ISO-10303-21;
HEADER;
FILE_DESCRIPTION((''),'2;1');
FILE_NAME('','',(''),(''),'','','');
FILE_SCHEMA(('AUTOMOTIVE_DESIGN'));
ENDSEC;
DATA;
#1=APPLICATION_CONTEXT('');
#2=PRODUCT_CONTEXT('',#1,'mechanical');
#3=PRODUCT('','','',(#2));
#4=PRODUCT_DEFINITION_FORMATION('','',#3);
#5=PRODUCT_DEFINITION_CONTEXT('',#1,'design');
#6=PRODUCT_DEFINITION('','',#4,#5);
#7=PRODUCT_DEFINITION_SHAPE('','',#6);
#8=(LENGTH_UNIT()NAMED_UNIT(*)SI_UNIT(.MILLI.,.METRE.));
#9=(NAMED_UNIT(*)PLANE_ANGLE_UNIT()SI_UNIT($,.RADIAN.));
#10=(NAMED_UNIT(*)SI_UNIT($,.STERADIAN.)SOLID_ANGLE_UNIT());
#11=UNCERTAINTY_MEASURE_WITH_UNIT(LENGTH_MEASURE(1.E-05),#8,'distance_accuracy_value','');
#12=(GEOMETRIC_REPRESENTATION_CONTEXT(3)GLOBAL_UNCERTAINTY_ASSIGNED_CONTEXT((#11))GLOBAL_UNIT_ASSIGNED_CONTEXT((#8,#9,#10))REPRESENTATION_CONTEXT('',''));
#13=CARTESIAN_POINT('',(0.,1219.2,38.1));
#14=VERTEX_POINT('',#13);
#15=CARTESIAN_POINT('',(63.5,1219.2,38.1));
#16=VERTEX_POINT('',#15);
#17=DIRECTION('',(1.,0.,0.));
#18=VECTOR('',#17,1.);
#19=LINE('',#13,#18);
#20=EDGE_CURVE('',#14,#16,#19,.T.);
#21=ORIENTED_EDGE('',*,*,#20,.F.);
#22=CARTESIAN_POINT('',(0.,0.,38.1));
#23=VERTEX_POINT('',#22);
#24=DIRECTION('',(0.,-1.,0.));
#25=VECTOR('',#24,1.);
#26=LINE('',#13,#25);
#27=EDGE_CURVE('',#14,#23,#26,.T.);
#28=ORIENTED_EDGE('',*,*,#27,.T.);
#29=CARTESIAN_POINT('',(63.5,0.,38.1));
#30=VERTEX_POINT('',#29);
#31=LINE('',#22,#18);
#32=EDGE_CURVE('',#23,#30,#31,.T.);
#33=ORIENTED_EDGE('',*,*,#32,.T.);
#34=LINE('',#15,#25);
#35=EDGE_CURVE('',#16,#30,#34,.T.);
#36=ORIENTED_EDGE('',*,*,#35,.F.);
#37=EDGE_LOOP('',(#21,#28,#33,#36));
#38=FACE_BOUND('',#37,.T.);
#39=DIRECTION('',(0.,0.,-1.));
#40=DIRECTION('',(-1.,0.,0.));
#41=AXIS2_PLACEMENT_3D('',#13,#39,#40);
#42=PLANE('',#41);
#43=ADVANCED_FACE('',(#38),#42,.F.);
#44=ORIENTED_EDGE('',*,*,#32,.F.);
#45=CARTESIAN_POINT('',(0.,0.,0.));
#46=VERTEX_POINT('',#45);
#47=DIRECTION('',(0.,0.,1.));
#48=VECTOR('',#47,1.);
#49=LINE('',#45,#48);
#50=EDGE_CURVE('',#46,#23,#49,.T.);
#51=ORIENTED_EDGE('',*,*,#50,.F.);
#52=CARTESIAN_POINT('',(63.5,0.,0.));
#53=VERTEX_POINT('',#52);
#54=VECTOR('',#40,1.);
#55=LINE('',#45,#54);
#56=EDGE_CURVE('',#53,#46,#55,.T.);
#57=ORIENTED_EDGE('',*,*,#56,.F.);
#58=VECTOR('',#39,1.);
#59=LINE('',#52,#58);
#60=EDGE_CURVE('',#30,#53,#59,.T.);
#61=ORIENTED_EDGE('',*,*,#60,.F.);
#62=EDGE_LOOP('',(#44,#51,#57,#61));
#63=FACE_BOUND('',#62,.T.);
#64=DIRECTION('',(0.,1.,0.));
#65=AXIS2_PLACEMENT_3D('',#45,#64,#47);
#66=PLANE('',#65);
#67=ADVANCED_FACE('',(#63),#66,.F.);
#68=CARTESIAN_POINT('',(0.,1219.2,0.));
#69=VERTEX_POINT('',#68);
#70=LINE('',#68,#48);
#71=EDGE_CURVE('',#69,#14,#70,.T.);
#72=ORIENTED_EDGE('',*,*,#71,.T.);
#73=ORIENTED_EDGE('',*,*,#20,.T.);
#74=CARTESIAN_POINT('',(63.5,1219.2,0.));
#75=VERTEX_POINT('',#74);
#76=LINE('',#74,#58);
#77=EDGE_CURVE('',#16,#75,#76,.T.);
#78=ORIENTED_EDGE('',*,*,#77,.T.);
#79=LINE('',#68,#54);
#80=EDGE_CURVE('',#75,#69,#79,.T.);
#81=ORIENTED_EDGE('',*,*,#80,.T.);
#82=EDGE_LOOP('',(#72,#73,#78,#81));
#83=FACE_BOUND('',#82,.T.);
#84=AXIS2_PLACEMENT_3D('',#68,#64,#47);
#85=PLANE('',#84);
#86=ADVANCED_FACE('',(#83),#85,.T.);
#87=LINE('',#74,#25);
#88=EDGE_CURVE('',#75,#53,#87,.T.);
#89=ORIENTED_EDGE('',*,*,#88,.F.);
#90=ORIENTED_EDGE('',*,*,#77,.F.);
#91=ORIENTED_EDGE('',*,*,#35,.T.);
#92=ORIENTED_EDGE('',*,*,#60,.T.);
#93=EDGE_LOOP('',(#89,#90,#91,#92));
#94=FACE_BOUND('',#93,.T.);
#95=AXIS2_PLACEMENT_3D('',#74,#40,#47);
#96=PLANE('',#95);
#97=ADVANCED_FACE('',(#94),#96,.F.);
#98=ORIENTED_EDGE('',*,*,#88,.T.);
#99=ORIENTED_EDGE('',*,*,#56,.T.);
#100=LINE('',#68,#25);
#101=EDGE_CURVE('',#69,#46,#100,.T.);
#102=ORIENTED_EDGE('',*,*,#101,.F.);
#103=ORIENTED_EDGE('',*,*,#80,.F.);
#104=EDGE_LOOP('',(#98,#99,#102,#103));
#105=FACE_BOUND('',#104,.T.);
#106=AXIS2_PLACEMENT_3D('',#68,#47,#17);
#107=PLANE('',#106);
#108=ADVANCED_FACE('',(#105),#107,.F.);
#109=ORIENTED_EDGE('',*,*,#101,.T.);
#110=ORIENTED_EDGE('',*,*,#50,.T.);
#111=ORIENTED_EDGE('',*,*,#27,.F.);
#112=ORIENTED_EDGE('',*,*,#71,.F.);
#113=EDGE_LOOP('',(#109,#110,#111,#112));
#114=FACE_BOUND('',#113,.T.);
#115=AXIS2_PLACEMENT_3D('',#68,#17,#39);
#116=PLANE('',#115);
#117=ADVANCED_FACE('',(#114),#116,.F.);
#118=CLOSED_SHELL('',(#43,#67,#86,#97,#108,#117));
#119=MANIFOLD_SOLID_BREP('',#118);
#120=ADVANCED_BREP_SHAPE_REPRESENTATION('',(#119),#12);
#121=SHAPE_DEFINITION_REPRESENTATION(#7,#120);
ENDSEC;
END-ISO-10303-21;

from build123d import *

# Parameters (mm, degrees)
SKETCH1_W           = 63.5
SKETCH1_H           = 38.1
BOSS_EXTRUDE1_DEPTH = 1219.2


with BuildPart() as part:
    # Sketch1 → Boss-Extrude1 (new body)
    with BuildSketch(Plane(origin=(0, 0, 0), x_dir=(1, 0, 0), z_dir=(0, 1, 0))):
        with Locations((31.75, -19.05)):
            Rectangle(SKETCH1_W, SKETCH1_H)
    extrude(amount=BOSS_EXTRUDE1_DEPTH)


solid = part.part
